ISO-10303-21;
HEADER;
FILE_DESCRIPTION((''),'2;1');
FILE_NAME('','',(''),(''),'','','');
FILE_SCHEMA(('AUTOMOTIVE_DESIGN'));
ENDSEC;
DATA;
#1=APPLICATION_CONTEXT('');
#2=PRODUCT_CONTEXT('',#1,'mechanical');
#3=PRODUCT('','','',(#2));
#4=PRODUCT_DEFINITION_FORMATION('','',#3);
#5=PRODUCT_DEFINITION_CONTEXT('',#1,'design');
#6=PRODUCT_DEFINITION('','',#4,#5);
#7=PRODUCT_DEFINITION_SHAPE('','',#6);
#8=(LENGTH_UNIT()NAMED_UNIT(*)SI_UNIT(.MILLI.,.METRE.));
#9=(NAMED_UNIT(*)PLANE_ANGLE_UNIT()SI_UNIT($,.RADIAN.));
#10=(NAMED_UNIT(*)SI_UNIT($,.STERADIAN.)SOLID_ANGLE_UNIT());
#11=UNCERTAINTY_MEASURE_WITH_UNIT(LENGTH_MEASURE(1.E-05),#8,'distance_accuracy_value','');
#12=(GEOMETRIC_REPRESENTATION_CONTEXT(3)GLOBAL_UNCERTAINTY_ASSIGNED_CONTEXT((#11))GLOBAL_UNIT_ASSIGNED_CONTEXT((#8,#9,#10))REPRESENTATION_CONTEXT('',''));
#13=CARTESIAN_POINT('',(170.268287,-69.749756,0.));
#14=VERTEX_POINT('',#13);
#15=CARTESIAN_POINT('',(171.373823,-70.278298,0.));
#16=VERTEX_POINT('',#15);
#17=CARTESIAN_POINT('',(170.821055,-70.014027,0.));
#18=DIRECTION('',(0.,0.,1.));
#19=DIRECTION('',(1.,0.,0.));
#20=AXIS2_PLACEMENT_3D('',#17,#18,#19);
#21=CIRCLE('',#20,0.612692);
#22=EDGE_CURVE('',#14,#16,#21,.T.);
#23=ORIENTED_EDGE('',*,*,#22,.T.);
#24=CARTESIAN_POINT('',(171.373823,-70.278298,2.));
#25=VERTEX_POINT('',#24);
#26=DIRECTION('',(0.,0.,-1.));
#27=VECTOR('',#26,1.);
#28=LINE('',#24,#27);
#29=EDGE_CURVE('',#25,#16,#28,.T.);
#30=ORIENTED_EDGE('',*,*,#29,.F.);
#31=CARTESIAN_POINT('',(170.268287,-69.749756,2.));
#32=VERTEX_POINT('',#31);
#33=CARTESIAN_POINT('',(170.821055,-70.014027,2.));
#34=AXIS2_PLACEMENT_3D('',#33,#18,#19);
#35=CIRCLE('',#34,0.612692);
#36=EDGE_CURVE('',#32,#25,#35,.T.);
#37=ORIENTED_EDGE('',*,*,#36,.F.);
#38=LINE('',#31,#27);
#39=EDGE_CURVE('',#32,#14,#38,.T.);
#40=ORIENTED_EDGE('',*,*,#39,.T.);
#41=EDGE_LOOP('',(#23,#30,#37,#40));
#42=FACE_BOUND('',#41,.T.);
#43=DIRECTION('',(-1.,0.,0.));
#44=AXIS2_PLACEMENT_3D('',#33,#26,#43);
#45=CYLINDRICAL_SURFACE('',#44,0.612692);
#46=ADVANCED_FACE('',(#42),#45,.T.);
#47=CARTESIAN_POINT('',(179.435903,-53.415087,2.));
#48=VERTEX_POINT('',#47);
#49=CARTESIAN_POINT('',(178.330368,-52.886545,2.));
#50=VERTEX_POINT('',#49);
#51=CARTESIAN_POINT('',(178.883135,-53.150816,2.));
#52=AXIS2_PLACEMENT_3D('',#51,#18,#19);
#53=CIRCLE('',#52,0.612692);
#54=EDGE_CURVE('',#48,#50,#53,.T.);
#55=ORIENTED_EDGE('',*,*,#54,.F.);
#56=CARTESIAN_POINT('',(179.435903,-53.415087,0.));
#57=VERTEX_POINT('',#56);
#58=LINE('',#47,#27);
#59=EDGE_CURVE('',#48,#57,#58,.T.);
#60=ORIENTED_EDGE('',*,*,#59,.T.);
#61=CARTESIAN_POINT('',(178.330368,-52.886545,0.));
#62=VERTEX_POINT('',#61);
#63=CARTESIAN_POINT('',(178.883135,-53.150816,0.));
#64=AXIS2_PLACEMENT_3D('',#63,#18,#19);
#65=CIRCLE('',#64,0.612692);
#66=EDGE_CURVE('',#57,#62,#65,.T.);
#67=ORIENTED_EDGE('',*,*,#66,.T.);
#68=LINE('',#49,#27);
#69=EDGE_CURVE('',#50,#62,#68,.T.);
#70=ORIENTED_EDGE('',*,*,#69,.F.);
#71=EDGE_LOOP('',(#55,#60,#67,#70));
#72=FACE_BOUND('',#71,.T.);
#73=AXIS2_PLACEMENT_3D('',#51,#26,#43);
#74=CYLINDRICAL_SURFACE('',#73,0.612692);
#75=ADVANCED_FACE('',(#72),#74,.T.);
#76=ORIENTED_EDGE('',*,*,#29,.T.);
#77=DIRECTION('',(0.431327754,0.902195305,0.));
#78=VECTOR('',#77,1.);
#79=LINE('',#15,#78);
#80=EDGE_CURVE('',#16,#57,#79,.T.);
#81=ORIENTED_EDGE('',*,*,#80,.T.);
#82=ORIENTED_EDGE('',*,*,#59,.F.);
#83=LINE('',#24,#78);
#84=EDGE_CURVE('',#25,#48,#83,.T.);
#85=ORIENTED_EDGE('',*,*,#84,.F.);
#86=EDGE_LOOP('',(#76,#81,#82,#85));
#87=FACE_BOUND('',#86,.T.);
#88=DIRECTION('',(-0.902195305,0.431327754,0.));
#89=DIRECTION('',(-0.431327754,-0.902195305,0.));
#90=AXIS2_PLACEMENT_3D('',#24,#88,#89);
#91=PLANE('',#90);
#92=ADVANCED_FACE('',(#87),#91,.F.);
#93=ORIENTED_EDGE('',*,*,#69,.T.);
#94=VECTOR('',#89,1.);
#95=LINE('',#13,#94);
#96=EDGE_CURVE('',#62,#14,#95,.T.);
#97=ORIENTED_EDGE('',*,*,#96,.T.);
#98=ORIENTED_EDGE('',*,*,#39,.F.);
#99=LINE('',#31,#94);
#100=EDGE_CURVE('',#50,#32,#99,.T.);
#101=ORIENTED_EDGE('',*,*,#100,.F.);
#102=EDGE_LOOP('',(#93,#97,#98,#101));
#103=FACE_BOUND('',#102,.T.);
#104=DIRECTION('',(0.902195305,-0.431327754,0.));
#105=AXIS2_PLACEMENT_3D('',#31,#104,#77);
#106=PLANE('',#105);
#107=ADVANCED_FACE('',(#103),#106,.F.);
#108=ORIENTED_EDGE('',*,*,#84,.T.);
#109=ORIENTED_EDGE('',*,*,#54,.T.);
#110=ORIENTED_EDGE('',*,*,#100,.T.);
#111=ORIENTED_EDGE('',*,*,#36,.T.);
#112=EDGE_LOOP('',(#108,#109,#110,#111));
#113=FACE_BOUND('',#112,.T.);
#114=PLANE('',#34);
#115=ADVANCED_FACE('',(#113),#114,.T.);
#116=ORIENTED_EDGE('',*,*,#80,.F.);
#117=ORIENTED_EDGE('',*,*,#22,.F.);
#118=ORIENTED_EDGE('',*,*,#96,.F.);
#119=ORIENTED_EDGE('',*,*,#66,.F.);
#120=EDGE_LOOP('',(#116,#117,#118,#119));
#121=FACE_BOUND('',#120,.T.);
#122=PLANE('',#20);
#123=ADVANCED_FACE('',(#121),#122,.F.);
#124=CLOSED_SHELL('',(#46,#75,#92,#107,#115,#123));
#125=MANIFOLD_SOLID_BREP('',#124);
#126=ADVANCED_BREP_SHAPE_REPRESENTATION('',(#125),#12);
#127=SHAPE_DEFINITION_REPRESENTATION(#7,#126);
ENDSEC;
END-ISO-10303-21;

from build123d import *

# Parameters (mm, degrees)
EXTRUDE_1_DEPTH = 2


with BuildPart() as part:
    # 草图1 → 凸台-拉伸1 (new body)
    with BuildSketch(Plane.XY):
        with BuildLine():
            Line((170.26828726, -69.749756499), (178.330367791, -52.886544857))
            ThreePointArc((178.330367791, -52.886544857), (179.147406394, -52.598048184), (179.435903067, -53.415086787))
            Line((179.435903067, -53.415086787), (171.373822536, -70.278298429))
            ThreePointArc((171.373822536, -70.278298429), (170.556783933, -70.566795102), (170.26828726, -69.749756499))
        make_face()
    extrude(amount=EXTRUDE_1_DEPTH)


solid = part.part
